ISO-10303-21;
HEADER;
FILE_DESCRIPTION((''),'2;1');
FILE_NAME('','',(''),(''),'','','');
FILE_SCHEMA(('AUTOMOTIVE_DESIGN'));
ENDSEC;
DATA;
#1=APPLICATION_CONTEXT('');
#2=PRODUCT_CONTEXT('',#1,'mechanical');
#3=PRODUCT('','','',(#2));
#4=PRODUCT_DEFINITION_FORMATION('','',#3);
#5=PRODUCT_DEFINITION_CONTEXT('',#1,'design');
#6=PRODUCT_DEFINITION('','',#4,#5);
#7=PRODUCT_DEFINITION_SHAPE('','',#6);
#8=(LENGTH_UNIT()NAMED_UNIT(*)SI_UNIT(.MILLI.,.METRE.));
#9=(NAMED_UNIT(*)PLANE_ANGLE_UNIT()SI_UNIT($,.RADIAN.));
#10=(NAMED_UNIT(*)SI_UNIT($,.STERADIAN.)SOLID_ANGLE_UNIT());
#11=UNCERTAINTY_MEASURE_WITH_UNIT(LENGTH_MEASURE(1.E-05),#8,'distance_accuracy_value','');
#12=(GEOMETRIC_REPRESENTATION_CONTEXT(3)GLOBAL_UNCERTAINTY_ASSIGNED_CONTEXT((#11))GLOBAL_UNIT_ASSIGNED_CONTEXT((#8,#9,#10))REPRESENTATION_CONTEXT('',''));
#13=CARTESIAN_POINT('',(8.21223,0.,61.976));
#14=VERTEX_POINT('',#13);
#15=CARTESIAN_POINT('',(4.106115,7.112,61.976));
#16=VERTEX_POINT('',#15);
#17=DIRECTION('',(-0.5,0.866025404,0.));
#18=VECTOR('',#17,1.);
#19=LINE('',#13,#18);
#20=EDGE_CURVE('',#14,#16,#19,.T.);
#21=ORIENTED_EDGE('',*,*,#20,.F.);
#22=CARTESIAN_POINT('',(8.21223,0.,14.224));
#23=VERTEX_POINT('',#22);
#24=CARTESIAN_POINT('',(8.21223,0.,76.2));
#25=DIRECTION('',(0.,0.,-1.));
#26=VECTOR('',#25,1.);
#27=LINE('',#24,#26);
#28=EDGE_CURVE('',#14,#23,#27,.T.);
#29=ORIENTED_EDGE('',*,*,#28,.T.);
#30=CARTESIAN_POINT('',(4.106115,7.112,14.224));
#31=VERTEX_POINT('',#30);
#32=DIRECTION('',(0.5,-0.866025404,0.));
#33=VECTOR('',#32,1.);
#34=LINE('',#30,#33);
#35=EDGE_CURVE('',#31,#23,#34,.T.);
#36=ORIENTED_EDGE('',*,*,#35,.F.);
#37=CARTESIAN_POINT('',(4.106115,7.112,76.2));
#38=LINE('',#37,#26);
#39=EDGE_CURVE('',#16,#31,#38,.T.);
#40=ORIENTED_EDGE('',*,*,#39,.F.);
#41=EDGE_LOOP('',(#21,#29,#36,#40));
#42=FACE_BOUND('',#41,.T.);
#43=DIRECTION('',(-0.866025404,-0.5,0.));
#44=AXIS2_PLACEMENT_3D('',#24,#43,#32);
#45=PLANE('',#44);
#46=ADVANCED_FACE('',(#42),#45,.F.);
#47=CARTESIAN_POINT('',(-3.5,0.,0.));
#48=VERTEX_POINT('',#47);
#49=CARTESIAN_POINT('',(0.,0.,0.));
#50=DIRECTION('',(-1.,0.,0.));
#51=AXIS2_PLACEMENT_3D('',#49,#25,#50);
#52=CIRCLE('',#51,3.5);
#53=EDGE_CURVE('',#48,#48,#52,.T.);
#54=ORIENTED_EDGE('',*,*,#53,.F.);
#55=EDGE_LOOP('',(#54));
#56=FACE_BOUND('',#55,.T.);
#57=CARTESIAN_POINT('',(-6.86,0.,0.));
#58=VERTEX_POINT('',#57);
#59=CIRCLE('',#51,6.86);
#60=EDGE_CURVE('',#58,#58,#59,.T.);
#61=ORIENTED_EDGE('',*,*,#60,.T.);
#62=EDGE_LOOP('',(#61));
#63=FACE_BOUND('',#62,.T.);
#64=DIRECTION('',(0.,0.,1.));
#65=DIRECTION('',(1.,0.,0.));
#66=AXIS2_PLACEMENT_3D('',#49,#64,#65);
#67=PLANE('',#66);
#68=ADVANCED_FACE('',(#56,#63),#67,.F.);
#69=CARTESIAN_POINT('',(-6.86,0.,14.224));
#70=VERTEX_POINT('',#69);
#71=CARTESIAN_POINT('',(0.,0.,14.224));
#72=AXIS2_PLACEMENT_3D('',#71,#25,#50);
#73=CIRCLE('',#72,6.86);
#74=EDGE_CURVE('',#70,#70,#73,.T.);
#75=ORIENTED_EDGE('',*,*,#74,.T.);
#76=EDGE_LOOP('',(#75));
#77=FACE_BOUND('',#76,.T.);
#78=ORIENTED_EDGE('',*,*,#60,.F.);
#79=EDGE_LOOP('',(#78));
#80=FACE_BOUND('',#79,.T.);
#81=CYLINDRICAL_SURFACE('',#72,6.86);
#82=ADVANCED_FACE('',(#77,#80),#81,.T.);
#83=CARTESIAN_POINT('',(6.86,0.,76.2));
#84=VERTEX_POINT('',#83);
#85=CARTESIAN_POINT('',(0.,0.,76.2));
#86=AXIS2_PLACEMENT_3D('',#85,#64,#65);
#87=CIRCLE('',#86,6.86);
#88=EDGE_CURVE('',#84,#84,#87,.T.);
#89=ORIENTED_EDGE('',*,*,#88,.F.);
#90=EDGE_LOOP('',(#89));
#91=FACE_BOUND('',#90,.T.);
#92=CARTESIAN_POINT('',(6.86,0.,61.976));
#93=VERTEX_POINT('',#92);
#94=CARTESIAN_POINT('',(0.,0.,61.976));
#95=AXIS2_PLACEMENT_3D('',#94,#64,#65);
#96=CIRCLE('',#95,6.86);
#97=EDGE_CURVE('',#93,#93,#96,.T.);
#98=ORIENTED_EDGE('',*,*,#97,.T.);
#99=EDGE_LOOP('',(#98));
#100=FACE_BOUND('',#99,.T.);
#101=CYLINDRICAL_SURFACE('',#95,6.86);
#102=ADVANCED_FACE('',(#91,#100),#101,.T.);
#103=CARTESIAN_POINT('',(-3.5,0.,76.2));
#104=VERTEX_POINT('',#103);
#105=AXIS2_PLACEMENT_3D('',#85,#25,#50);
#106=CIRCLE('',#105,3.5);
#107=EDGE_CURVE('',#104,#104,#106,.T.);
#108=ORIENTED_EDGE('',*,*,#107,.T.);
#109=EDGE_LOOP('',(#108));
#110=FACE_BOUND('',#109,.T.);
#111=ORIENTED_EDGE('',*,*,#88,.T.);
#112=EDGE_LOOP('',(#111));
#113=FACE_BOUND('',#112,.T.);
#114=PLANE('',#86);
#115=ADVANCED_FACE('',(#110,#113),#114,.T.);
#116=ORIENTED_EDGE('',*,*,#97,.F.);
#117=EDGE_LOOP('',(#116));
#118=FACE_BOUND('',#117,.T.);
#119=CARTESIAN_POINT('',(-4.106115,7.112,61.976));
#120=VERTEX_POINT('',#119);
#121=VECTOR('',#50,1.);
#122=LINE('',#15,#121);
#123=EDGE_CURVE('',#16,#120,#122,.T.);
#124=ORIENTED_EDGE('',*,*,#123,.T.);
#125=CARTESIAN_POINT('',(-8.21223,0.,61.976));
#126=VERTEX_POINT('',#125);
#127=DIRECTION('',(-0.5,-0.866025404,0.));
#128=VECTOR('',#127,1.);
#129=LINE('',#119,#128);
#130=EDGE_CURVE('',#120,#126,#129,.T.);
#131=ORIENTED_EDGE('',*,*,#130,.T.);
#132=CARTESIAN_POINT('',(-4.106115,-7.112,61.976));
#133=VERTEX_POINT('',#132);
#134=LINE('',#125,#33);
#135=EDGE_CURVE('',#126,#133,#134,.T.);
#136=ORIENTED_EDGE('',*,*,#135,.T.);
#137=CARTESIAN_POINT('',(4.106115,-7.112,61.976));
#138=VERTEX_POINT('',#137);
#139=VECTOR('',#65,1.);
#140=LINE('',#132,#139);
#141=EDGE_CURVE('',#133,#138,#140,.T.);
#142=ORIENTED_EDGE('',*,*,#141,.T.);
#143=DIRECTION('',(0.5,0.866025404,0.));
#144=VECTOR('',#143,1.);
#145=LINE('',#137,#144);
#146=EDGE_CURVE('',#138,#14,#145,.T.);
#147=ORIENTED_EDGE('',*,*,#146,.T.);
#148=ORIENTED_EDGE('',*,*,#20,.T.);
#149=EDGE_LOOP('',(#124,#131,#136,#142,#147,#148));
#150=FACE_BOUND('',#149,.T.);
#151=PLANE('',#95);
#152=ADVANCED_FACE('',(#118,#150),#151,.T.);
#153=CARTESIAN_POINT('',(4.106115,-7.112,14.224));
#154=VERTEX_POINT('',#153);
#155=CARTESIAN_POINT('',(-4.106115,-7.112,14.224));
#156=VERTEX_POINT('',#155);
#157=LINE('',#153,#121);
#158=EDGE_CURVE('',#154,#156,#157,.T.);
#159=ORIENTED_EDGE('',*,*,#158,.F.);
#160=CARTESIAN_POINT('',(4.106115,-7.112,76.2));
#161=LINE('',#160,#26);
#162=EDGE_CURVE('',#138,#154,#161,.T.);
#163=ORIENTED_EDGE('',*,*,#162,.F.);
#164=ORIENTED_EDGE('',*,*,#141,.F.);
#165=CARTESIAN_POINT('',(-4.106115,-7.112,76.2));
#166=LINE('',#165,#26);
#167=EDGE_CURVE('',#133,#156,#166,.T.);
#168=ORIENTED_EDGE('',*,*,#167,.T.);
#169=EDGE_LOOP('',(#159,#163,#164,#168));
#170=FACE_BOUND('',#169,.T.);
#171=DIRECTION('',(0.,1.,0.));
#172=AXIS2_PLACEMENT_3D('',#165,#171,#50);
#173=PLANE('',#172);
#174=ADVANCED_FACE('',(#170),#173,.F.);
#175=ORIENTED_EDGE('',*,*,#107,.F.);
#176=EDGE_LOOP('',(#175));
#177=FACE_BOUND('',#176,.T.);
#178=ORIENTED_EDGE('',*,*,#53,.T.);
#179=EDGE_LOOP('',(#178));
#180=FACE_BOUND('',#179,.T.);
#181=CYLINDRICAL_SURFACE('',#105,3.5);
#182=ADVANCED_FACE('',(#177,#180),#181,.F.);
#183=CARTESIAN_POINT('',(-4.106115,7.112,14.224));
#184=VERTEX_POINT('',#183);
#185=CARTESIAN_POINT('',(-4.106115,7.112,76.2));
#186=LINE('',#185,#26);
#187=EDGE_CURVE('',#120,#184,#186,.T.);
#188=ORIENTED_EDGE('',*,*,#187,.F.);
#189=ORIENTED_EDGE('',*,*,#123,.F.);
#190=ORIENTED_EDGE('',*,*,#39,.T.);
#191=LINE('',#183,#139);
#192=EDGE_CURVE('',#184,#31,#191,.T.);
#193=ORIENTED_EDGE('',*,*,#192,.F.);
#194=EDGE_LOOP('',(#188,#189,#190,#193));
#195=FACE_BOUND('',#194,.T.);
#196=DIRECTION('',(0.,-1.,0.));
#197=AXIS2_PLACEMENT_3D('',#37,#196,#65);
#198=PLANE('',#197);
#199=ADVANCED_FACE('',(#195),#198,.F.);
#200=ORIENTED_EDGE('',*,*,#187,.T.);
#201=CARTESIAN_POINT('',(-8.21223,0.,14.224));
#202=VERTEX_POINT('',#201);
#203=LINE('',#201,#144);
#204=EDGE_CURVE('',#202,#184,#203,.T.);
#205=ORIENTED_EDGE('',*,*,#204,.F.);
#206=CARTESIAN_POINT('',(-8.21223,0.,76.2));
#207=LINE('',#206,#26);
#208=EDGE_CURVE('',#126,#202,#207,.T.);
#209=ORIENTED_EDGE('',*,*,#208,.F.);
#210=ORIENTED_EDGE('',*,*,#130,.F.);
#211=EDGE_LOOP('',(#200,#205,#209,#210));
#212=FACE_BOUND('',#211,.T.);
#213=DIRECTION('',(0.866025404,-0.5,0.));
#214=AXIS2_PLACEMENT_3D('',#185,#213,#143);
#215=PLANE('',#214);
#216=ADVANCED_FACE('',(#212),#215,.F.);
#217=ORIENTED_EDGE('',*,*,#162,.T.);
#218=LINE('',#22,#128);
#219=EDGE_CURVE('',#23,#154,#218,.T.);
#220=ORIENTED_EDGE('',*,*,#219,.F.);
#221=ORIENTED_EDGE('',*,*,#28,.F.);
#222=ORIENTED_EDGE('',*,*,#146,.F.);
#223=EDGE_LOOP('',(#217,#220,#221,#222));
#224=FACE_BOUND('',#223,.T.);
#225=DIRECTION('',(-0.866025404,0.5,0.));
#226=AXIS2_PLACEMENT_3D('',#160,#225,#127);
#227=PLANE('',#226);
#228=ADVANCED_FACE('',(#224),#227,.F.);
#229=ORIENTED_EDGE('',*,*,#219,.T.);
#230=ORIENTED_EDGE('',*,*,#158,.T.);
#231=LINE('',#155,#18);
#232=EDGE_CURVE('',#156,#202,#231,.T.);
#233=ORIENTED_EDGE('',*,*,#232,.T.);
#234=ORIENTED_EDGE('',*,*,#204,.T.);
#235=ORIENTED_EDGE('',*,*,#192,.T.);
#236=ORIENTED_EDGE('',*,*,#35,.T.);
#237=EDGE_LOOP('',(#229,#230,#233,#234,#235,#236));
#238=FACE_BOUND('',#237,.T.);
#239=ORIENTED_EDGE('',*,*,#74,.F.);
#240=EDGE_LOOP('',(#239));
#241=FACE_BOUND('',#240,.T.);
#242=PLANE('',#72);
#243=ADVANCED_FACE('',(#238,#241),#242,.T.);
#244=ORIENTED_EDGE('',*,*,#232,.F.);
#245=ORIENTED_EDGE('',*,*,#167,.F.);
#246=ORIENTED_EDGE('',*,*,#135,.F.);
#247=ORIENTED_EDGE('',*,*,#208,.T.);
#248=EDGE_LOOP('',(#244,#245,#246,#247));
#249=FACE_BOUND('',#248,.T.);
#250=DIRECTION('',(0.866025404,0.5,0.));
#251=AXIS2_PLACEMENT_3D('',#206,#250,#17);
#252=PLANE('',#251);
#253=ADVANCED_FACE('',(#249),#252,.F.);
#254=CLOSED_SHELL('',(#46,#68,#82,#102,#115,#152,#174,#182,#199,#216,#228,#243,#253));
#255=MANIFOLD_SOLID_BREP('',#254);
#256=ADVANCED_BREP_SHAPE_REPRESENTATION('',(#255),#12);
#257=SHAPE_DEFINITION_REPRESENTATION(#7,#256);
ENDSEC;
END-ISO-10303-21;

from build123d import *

# Parameters (mm, degrees)
BOSS_EXTRUDE1_DEPTH = 76.2
SKETCH2_R           = 6.86
CUT_EXTRUDE1_DEPTH  = 14.224
SKETCH3_R           = 6.86
CUT_EXTRUDE2_DEPTH  = 14.224
SKETCH4_R           = 3.5
CUT_EXTRUDE3_DEPTH  = 77.2


with BuildPart() as part:
    # Sketch1 → Boss-Extrude1 (new body)
    with BuildSketch(Plane(origin=(0, 0, 0), x_dir=(0, 1, 0), z_dir=(0, 0, 1))):
        Polygon((7.112, -4.106115114), (7.112, 4.106115114), (0, 8.212230229), (-7.112, 4.106115114), (-7.112, -4.106115114), (0, -8.212230229), align=None)
    extrude(amount=BOSS_EXTRUDE1_DEPTH)

    # Sketch2 → Cut-Extrude1 (cut)
    with BuildSketch(Plane.XY.offset(76.2)):
        Polygon((8.212230229, 0), (4.106115114, 7.112), (-4.106115114, 7.112), (-8.212230229, 0), (-4.106115114, -7.112), (4.106115114, -7.112), align=None)
        Circle(SKETCH2_R, mode=Mode.SUBTRACT)
    extrude(amount=-CUT_EXTRUDE1_DEPTH, mode=Mode.SUBTRACT)

    # Sketch3 → Cut-Extrude2 (cut)
    with BuildSketch(Plane(origin=(0, 0, 0), x_dir=(1, 0, 0), z_dir=(0, 0, -1))):
        Polygon((4.106115114, -7.112), (8.212230229, 0), (4.106115114, 7.112), (-4.106115114, 7.112), (-8.212230229, 0), (-4.106115114, -7.112), align=None)
        Circle(SKETCH3_R, mode=Mode.SUBTRACT)
    extrude(amount=-CUT_EXTRUDE2_DEPTH, mode=Mode.SUBTRACT)

    # Sketch4 → Cut-Extrude3 (cut, through all)
    with BuildSketch(Plane(origin=(0, 0, 0), x_dir=(1, 0, 0), z_dir=(0, 0, -1))):
        Circle(SKETCH4_R)
    extrude(amount=-CUT_EXTRUDE3_DEPTH, mode=Mode.SUBTRACT)


solid = part.part
